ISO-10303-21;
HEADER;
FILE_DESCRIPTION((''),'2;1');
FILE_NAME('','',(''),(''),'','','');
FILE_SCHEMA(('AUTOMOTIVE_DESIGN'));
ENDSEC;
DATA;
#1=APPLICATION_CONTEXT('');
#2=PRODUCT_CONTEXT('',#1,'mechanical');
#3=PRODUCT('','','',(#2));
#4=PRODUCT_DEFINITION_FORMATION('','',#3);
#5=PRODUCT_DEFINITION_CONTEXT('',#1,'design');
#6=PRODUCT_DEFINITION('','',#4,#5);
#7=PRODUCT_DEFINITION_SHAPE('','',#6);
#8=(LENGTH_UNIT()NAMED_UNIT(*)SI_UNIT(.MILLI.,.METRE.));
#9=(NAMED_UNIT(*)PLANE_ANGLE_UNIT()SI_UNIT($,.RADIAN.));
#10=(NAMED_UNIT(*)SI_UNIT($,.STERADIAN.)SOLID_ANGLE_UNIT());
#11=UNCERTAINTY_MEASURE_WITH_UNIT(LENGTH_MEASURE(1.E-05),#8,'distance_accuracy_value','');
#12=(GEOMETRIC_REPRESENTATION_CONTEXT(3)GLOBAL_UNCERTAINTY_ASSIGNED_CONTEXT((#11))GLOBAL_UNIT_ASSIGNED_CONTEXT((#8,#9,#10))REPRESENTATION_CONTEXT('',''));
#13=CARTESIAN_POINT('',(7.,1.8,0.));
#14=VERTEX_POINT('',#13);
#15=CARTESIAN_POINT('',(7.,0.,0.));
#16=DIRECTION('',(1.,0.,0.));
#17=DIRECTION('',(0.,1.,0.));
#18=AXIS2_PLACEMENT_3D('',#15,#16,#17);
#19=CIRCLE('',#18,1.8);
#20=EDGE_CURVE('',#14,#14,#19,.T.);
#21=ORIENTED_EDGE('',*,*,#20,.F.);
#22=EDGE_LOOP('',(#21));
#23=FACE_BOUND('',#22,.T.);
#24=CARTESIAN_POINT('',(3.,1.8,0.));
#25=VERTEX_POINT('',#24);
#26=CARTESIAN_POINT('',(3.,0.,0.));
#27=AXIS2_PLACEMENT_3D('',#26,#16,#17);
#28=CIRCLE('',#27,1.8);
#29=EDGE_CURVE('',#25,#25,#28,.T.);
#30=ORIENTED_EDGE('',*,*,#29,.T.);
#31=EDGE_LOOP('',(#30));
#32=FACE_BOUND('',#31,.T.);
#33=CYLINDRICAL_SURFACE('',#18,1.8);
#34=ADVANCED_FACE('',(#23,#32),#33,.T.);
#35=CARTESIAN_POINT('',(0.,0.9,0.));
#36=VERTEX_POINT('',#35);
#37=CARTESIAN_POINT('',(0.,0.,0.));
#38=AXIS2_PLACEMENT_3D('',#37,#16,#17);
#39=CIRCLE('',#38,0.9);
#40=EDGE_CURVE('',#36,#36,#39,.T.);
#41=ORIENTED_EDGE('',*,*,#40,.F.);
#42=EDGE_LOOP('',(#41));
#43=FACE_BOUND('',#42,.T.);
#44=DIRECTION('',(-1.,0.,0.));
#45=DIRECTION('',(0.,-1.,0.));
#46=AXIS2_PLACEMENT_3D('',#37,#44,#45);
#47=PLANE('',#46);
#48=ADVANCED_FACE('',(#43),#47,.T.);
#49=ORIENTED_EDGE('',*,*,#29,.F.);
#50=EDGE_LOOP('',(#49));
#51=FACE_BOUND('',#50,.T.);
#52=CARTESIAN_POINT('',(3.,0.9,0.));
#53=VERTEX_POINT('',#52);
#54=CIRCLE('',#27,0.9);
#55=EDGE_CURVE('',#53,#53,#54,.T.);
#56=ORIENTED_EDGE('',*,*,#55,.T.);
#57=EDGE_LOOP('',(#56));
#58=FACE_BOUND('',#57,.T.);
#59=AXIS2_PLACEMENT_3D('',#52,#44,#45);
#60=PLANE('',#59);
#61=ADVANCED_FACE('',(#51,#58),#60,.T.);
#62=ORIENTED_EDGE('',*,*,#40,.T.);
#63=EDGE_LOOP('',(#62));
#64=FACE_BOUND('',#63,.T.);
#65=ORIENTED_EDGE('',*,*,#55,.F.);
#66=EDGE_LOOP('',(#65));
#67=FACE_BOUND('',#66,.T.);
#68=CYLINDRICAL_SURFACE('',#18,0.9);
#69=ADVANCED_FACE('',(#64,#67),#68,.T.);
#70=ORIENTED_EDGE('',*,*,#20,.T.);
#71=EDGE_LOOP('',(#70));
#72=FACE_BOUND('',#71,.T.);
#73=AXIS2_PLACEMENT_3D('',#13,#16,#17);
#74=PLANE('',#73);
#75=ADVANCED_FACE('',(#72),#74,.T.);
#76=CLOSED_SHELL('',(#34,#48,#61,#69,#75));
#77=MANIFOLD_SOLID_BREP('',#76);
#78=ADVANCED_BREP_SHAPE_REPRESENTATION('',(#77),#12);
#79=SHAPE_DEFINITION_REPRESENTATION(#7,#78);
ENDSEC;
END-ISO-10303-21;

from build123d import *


with BuildPart() as part:
    # Эскиз1 → Повернуть1 (revolve)
    with BuildSketch(Plane.XY):
        Polygon((0, 0), (0, 0.9), (3, 0.9), (3, 1.8), (7, 1.8), (7, 0), align=None)
    revolve(axis=Axis((7, 0, 0), (-1, 0, 0)))


solid = part.part
